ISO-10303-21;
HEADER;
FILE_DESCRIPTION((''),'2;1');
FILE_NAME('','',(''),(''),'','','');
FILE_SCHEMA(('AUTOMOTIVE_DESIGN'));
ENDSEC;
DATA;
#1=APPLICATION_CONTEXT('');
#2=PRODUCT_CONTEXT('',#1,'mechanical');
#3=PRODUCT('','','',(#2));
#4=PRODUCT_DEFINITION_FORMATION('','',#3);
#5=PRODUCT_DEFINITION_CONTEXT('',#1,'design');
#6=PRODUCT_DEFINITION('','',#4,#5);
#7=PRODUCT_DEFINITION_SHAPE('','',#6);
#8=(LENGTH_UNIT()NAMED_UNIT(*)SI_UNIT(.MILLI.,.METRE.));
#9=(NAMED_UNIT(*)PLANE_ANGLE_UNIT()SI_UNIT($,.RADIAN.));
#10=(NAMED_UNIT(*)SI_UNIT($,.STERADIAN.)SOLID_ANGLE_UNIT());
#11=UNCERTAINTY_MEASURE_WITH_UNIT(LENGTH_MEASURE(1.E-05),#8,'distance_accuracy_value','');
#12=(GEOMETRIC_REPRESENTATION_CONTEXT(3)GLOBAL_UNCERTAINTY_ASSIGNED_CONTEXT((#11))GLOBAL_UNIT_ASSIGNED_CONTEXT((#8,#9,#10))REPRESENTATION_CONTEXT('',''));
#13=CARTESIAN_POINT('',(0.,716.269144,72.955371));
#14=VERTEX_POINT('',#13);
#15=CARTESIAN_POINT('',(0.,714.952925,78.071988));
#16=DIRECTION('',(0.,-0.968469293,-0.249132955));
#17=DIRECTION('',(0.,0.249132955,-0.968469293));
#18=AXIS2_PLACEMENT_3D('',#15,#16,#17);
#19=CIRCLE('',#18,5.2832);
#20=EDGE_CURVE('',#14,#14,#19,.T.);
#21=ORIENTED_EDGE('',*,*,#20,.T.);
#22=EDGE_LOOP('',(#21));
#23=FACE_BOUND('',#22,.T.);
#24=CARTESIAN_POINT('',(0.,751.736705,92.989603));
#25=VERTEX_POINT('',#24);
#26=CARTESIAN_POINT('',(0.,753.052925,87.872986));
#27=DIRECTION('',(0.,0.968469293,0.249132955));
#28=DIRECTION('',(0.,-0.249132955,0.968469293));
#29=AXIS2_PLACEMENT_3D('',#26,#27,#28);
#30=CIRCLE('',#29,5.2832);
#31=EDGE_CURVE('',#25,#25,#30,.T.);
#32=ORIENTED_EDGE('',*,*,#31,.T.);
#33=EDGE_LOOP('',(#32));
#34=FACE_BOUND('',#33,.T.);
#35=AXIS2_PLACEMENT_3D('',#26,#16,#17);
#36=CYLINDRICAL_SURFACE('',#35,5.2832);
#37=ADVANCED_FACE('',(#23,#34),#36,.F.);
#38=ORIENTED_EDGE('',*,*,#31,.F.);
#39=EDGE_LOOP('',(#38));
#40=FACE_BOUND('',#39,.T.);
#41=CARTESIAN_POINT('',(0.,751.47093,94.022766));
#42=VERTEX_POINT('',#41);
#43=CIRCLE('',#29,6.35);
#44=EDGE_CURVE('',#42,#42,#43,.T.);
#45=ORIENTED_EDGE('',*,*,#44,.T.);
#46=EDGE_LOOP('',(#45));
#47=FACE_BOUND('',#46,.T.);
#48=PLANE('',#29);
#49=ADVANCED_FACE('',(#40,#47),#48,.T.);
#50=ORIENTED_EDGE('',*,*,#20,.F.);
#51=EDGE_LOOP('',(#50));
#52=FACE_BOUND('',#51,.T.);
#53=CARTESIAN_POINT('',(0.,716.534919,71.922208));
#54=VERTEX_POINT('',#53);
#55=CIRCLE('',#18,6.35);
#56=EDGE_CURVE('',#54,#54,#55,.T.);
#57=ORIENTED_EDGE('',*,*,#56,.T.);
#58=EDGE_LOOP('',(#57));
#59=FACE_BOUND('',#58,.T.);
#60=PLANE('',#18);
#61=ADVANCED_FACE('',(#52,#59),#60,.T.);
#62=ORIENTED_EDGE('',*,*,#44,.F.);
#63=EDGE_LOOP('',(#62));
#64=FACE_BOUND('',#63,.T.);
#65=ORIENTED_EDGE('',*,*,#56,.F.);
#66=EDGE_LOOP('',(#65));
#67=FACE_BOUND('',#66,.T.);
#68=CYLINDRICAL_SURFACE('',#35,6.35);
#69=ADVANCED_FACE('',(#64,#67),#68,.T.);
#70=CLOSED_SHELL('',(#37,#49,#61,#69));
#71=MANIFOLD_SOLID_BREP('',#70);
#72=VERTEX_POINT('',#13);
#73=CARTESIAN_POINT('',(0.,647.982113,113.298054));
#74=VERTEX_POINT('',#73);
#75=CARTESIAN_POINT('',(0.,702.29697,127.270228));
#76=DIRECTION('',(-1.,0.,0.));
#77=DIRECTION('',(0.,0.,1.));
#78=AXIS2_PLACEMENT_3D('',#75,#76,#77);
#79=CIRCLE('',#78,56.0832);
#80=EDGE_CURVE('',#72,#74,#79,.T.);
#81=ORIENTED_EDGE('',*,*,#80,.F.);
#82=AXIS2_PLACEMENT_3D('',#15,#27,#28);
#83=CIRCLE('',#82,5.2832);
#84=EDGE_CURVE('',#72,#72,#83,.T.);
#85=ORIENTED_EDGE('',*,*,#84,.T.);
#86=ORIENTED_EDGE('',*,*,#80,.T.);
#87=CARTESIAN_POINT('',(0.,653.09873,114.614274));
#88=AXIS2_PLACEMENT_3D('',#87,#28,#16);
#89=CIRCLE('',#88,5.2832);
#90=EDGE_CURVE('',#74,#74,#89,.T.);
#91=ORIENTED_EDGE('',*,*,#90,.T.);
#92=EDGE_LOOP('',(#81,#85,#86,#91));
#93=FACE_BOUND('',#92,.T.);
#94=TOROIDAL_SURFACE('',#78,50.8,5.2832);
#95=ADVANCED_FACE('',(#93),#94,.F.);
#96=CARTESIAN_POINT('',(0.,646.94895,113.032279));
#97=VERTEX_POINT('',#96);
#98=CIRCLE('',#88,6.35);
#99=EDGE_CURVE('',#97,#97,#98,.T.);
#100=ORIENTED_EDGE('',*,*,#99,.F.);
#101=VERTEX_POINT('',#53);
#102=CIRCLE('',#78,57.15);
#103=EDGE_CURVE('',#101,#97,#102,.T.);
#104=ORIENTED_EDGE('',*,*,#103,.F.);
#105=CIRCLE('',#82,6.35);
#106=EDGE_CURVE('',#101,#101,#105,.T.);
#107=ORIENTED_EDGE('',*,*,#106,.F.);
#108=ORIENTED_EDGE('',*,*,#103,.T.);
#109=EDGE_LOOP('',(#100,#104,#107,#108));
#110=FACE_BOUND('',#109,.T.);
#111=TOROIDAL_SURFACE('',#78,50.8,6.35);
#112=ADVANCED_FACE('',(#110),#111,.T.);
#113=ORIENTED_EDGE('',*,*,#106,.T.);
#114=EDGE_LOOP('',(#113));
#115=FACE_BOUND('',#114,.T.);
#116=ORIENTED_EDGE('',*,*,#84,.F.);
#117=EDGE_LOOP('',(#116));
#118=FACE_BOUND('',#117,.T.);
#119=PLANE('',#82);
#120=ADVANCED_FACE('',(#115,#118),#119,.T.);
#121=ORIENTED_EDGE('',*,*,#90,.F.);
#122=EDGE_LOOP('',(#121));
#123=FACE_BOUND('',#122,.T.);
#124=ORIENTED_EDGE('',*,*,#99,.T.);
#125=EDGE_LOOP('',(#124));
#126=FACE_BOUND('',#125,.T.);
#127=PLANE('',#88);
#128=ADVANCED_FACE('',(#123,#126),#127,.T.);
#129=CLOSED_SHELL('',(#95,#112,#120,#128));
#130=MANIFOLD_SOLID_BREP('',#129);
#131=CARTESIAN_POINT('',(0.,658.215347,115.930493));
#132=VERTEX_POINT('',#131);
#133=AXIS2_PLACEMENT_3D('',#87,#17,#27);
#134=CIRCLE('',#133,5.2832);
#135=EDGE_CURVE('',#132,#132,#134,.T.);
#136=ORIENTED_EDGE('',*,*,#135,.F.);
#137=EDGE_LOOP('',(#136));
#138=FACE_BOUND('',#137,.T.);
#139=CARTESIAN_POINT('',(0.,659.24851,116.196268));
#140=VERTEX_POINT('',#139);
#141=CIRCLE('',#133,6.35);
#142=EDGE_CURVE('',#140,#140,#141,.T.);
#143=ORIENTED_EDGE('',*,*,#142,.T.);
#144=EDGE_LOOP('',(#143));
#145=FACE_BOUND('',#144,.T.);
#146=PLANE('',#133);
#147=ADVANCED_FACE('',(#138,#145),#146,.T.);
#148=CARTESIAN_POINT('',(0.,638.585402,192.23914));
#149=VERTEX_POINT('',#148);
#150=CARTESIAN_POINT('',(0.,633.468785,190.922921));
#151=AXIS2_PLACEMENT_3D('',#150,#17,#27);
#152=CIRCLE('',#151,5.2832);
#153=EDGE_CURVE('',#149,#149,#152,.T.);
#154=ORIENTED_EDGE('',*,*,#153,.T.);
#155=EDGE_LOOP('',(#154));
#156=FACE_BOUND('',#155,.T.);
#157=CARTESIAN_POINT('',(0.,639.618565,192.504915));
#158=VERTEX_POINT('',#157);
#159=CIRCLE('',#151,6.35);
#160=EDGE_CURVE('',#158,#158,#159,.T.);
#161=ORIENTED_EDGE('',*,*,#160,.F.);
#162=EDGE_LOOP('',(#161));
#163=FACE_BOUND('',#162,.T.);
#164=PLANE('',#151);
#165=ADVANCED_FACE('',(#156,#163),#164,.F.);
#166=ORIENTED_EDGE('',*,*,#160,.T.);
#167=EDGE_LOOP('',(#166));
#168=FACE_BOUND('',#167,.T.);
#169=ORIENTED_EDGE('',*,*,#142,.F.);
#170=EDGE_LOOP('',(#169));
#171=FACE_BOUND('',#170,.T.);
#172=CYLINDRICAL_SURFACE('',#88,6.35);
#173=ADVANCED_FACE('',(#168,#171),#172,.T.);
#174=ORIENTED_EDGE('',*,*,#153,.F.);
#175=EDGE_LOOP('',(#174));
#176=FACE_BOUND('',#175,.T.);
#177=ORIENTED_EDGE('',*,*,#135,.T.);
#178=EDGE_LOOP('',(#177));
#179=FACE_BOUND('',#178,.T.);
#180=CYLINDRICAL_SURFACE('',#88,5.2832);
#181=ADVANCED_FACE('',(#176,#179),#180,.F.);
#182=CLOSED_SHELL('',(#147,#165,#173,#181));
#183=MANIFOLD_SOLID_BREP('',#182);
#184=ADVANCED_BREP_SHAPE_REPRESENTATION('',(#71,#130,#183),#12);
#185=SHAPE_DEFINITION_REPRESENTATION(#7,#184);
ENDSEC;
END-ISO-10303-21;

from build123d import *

# Parameters (mm, degrees)
SKETCH11_R                = 6.35
SKETCH11_R_2              = 5.2832
PIPE_0_5_SCH_40_1_DEPTH   = 78.793048101
SKETCH11_ON_SEGMENT_2_R   = 6.35
SKETCH11_ON_SEGMENT_2_R_2 = 5.2832
PIPE_0_5_SCH_40_1_2_ANGLE = 90
SKETCH11_ON_SEGMENT_3_R   = 6.35
SKETCH11_ON_SEGMENT_3_R_2 = 5.2832
PIPE_0_5_SCH_40_1_3_DEPTH = 39.340431637


with BuildPart() as part:
    # Sketch11 → Pipe 0.5 SCH 40(1) (new body)
    with BuildSketch(Plane(origin=(0, 633.468785437, 190.922921196), x_dir=(0, 0.9684692926437414, 0.2491329548777745), z_dir=(0, 0.2491329548777745, -0.9684692926437414))):
        Circle(SKETCH11_R)
        Circle(SKETCH11_R_2, mode=Mode.SUBTRACT)
    extrude(amount=PIPE_0_5_SCH_40_1_DEPTH)


with BuildPart() as body_2:
    # Sketch11 on segment 2 (carried to the start of arc 2) → Pipe 0.5 SCH 40_1 2 (revolve)
    with BuildSketch(Plane(origin=(0, 653.098730334, 114.614273636), x_dir=(0, 0.968469293, 0.249132955), z_dir=(0, 0.249132955, -0.968469293))):
        Circle(SKETCH11_ON_SEGMENT_2_R)
        Circle(SKETCH11_ON_SEGMENT_2_R_2, mode=Mode.SUBTRACT)
    revolve(axis=Axis((0, 702.296970401, 127.270227744), (1, 0, 0)), revolution_arc=PIPE_0_5_SCH_40_1_2_ANGLE)


with BuildPart() as body_3:
    # Sketch11 on segment 3 (carried to segment 3) → Pipe 0.5 SCH 40_1 3 (new body)
    with BuildSketch(Plane(origin=(0, 714.952924509, 78.071987677), x_dir=(0, -0.249132955, 0.968469293), z_dir=(0, 0.968469293, 0.249132955))):
        Circle(SKETCH11_ON_SEGMENT_3_R)
        Circle(SKETCH11_ON_SEGMENT_3_R_2, mode=Mode.SUBTRACT)
    extrude(amount=PIPE_0_5_SCH_40_1_3_DEPTH)


solid = Compound([part.part, body_2.part, body_3.part])
